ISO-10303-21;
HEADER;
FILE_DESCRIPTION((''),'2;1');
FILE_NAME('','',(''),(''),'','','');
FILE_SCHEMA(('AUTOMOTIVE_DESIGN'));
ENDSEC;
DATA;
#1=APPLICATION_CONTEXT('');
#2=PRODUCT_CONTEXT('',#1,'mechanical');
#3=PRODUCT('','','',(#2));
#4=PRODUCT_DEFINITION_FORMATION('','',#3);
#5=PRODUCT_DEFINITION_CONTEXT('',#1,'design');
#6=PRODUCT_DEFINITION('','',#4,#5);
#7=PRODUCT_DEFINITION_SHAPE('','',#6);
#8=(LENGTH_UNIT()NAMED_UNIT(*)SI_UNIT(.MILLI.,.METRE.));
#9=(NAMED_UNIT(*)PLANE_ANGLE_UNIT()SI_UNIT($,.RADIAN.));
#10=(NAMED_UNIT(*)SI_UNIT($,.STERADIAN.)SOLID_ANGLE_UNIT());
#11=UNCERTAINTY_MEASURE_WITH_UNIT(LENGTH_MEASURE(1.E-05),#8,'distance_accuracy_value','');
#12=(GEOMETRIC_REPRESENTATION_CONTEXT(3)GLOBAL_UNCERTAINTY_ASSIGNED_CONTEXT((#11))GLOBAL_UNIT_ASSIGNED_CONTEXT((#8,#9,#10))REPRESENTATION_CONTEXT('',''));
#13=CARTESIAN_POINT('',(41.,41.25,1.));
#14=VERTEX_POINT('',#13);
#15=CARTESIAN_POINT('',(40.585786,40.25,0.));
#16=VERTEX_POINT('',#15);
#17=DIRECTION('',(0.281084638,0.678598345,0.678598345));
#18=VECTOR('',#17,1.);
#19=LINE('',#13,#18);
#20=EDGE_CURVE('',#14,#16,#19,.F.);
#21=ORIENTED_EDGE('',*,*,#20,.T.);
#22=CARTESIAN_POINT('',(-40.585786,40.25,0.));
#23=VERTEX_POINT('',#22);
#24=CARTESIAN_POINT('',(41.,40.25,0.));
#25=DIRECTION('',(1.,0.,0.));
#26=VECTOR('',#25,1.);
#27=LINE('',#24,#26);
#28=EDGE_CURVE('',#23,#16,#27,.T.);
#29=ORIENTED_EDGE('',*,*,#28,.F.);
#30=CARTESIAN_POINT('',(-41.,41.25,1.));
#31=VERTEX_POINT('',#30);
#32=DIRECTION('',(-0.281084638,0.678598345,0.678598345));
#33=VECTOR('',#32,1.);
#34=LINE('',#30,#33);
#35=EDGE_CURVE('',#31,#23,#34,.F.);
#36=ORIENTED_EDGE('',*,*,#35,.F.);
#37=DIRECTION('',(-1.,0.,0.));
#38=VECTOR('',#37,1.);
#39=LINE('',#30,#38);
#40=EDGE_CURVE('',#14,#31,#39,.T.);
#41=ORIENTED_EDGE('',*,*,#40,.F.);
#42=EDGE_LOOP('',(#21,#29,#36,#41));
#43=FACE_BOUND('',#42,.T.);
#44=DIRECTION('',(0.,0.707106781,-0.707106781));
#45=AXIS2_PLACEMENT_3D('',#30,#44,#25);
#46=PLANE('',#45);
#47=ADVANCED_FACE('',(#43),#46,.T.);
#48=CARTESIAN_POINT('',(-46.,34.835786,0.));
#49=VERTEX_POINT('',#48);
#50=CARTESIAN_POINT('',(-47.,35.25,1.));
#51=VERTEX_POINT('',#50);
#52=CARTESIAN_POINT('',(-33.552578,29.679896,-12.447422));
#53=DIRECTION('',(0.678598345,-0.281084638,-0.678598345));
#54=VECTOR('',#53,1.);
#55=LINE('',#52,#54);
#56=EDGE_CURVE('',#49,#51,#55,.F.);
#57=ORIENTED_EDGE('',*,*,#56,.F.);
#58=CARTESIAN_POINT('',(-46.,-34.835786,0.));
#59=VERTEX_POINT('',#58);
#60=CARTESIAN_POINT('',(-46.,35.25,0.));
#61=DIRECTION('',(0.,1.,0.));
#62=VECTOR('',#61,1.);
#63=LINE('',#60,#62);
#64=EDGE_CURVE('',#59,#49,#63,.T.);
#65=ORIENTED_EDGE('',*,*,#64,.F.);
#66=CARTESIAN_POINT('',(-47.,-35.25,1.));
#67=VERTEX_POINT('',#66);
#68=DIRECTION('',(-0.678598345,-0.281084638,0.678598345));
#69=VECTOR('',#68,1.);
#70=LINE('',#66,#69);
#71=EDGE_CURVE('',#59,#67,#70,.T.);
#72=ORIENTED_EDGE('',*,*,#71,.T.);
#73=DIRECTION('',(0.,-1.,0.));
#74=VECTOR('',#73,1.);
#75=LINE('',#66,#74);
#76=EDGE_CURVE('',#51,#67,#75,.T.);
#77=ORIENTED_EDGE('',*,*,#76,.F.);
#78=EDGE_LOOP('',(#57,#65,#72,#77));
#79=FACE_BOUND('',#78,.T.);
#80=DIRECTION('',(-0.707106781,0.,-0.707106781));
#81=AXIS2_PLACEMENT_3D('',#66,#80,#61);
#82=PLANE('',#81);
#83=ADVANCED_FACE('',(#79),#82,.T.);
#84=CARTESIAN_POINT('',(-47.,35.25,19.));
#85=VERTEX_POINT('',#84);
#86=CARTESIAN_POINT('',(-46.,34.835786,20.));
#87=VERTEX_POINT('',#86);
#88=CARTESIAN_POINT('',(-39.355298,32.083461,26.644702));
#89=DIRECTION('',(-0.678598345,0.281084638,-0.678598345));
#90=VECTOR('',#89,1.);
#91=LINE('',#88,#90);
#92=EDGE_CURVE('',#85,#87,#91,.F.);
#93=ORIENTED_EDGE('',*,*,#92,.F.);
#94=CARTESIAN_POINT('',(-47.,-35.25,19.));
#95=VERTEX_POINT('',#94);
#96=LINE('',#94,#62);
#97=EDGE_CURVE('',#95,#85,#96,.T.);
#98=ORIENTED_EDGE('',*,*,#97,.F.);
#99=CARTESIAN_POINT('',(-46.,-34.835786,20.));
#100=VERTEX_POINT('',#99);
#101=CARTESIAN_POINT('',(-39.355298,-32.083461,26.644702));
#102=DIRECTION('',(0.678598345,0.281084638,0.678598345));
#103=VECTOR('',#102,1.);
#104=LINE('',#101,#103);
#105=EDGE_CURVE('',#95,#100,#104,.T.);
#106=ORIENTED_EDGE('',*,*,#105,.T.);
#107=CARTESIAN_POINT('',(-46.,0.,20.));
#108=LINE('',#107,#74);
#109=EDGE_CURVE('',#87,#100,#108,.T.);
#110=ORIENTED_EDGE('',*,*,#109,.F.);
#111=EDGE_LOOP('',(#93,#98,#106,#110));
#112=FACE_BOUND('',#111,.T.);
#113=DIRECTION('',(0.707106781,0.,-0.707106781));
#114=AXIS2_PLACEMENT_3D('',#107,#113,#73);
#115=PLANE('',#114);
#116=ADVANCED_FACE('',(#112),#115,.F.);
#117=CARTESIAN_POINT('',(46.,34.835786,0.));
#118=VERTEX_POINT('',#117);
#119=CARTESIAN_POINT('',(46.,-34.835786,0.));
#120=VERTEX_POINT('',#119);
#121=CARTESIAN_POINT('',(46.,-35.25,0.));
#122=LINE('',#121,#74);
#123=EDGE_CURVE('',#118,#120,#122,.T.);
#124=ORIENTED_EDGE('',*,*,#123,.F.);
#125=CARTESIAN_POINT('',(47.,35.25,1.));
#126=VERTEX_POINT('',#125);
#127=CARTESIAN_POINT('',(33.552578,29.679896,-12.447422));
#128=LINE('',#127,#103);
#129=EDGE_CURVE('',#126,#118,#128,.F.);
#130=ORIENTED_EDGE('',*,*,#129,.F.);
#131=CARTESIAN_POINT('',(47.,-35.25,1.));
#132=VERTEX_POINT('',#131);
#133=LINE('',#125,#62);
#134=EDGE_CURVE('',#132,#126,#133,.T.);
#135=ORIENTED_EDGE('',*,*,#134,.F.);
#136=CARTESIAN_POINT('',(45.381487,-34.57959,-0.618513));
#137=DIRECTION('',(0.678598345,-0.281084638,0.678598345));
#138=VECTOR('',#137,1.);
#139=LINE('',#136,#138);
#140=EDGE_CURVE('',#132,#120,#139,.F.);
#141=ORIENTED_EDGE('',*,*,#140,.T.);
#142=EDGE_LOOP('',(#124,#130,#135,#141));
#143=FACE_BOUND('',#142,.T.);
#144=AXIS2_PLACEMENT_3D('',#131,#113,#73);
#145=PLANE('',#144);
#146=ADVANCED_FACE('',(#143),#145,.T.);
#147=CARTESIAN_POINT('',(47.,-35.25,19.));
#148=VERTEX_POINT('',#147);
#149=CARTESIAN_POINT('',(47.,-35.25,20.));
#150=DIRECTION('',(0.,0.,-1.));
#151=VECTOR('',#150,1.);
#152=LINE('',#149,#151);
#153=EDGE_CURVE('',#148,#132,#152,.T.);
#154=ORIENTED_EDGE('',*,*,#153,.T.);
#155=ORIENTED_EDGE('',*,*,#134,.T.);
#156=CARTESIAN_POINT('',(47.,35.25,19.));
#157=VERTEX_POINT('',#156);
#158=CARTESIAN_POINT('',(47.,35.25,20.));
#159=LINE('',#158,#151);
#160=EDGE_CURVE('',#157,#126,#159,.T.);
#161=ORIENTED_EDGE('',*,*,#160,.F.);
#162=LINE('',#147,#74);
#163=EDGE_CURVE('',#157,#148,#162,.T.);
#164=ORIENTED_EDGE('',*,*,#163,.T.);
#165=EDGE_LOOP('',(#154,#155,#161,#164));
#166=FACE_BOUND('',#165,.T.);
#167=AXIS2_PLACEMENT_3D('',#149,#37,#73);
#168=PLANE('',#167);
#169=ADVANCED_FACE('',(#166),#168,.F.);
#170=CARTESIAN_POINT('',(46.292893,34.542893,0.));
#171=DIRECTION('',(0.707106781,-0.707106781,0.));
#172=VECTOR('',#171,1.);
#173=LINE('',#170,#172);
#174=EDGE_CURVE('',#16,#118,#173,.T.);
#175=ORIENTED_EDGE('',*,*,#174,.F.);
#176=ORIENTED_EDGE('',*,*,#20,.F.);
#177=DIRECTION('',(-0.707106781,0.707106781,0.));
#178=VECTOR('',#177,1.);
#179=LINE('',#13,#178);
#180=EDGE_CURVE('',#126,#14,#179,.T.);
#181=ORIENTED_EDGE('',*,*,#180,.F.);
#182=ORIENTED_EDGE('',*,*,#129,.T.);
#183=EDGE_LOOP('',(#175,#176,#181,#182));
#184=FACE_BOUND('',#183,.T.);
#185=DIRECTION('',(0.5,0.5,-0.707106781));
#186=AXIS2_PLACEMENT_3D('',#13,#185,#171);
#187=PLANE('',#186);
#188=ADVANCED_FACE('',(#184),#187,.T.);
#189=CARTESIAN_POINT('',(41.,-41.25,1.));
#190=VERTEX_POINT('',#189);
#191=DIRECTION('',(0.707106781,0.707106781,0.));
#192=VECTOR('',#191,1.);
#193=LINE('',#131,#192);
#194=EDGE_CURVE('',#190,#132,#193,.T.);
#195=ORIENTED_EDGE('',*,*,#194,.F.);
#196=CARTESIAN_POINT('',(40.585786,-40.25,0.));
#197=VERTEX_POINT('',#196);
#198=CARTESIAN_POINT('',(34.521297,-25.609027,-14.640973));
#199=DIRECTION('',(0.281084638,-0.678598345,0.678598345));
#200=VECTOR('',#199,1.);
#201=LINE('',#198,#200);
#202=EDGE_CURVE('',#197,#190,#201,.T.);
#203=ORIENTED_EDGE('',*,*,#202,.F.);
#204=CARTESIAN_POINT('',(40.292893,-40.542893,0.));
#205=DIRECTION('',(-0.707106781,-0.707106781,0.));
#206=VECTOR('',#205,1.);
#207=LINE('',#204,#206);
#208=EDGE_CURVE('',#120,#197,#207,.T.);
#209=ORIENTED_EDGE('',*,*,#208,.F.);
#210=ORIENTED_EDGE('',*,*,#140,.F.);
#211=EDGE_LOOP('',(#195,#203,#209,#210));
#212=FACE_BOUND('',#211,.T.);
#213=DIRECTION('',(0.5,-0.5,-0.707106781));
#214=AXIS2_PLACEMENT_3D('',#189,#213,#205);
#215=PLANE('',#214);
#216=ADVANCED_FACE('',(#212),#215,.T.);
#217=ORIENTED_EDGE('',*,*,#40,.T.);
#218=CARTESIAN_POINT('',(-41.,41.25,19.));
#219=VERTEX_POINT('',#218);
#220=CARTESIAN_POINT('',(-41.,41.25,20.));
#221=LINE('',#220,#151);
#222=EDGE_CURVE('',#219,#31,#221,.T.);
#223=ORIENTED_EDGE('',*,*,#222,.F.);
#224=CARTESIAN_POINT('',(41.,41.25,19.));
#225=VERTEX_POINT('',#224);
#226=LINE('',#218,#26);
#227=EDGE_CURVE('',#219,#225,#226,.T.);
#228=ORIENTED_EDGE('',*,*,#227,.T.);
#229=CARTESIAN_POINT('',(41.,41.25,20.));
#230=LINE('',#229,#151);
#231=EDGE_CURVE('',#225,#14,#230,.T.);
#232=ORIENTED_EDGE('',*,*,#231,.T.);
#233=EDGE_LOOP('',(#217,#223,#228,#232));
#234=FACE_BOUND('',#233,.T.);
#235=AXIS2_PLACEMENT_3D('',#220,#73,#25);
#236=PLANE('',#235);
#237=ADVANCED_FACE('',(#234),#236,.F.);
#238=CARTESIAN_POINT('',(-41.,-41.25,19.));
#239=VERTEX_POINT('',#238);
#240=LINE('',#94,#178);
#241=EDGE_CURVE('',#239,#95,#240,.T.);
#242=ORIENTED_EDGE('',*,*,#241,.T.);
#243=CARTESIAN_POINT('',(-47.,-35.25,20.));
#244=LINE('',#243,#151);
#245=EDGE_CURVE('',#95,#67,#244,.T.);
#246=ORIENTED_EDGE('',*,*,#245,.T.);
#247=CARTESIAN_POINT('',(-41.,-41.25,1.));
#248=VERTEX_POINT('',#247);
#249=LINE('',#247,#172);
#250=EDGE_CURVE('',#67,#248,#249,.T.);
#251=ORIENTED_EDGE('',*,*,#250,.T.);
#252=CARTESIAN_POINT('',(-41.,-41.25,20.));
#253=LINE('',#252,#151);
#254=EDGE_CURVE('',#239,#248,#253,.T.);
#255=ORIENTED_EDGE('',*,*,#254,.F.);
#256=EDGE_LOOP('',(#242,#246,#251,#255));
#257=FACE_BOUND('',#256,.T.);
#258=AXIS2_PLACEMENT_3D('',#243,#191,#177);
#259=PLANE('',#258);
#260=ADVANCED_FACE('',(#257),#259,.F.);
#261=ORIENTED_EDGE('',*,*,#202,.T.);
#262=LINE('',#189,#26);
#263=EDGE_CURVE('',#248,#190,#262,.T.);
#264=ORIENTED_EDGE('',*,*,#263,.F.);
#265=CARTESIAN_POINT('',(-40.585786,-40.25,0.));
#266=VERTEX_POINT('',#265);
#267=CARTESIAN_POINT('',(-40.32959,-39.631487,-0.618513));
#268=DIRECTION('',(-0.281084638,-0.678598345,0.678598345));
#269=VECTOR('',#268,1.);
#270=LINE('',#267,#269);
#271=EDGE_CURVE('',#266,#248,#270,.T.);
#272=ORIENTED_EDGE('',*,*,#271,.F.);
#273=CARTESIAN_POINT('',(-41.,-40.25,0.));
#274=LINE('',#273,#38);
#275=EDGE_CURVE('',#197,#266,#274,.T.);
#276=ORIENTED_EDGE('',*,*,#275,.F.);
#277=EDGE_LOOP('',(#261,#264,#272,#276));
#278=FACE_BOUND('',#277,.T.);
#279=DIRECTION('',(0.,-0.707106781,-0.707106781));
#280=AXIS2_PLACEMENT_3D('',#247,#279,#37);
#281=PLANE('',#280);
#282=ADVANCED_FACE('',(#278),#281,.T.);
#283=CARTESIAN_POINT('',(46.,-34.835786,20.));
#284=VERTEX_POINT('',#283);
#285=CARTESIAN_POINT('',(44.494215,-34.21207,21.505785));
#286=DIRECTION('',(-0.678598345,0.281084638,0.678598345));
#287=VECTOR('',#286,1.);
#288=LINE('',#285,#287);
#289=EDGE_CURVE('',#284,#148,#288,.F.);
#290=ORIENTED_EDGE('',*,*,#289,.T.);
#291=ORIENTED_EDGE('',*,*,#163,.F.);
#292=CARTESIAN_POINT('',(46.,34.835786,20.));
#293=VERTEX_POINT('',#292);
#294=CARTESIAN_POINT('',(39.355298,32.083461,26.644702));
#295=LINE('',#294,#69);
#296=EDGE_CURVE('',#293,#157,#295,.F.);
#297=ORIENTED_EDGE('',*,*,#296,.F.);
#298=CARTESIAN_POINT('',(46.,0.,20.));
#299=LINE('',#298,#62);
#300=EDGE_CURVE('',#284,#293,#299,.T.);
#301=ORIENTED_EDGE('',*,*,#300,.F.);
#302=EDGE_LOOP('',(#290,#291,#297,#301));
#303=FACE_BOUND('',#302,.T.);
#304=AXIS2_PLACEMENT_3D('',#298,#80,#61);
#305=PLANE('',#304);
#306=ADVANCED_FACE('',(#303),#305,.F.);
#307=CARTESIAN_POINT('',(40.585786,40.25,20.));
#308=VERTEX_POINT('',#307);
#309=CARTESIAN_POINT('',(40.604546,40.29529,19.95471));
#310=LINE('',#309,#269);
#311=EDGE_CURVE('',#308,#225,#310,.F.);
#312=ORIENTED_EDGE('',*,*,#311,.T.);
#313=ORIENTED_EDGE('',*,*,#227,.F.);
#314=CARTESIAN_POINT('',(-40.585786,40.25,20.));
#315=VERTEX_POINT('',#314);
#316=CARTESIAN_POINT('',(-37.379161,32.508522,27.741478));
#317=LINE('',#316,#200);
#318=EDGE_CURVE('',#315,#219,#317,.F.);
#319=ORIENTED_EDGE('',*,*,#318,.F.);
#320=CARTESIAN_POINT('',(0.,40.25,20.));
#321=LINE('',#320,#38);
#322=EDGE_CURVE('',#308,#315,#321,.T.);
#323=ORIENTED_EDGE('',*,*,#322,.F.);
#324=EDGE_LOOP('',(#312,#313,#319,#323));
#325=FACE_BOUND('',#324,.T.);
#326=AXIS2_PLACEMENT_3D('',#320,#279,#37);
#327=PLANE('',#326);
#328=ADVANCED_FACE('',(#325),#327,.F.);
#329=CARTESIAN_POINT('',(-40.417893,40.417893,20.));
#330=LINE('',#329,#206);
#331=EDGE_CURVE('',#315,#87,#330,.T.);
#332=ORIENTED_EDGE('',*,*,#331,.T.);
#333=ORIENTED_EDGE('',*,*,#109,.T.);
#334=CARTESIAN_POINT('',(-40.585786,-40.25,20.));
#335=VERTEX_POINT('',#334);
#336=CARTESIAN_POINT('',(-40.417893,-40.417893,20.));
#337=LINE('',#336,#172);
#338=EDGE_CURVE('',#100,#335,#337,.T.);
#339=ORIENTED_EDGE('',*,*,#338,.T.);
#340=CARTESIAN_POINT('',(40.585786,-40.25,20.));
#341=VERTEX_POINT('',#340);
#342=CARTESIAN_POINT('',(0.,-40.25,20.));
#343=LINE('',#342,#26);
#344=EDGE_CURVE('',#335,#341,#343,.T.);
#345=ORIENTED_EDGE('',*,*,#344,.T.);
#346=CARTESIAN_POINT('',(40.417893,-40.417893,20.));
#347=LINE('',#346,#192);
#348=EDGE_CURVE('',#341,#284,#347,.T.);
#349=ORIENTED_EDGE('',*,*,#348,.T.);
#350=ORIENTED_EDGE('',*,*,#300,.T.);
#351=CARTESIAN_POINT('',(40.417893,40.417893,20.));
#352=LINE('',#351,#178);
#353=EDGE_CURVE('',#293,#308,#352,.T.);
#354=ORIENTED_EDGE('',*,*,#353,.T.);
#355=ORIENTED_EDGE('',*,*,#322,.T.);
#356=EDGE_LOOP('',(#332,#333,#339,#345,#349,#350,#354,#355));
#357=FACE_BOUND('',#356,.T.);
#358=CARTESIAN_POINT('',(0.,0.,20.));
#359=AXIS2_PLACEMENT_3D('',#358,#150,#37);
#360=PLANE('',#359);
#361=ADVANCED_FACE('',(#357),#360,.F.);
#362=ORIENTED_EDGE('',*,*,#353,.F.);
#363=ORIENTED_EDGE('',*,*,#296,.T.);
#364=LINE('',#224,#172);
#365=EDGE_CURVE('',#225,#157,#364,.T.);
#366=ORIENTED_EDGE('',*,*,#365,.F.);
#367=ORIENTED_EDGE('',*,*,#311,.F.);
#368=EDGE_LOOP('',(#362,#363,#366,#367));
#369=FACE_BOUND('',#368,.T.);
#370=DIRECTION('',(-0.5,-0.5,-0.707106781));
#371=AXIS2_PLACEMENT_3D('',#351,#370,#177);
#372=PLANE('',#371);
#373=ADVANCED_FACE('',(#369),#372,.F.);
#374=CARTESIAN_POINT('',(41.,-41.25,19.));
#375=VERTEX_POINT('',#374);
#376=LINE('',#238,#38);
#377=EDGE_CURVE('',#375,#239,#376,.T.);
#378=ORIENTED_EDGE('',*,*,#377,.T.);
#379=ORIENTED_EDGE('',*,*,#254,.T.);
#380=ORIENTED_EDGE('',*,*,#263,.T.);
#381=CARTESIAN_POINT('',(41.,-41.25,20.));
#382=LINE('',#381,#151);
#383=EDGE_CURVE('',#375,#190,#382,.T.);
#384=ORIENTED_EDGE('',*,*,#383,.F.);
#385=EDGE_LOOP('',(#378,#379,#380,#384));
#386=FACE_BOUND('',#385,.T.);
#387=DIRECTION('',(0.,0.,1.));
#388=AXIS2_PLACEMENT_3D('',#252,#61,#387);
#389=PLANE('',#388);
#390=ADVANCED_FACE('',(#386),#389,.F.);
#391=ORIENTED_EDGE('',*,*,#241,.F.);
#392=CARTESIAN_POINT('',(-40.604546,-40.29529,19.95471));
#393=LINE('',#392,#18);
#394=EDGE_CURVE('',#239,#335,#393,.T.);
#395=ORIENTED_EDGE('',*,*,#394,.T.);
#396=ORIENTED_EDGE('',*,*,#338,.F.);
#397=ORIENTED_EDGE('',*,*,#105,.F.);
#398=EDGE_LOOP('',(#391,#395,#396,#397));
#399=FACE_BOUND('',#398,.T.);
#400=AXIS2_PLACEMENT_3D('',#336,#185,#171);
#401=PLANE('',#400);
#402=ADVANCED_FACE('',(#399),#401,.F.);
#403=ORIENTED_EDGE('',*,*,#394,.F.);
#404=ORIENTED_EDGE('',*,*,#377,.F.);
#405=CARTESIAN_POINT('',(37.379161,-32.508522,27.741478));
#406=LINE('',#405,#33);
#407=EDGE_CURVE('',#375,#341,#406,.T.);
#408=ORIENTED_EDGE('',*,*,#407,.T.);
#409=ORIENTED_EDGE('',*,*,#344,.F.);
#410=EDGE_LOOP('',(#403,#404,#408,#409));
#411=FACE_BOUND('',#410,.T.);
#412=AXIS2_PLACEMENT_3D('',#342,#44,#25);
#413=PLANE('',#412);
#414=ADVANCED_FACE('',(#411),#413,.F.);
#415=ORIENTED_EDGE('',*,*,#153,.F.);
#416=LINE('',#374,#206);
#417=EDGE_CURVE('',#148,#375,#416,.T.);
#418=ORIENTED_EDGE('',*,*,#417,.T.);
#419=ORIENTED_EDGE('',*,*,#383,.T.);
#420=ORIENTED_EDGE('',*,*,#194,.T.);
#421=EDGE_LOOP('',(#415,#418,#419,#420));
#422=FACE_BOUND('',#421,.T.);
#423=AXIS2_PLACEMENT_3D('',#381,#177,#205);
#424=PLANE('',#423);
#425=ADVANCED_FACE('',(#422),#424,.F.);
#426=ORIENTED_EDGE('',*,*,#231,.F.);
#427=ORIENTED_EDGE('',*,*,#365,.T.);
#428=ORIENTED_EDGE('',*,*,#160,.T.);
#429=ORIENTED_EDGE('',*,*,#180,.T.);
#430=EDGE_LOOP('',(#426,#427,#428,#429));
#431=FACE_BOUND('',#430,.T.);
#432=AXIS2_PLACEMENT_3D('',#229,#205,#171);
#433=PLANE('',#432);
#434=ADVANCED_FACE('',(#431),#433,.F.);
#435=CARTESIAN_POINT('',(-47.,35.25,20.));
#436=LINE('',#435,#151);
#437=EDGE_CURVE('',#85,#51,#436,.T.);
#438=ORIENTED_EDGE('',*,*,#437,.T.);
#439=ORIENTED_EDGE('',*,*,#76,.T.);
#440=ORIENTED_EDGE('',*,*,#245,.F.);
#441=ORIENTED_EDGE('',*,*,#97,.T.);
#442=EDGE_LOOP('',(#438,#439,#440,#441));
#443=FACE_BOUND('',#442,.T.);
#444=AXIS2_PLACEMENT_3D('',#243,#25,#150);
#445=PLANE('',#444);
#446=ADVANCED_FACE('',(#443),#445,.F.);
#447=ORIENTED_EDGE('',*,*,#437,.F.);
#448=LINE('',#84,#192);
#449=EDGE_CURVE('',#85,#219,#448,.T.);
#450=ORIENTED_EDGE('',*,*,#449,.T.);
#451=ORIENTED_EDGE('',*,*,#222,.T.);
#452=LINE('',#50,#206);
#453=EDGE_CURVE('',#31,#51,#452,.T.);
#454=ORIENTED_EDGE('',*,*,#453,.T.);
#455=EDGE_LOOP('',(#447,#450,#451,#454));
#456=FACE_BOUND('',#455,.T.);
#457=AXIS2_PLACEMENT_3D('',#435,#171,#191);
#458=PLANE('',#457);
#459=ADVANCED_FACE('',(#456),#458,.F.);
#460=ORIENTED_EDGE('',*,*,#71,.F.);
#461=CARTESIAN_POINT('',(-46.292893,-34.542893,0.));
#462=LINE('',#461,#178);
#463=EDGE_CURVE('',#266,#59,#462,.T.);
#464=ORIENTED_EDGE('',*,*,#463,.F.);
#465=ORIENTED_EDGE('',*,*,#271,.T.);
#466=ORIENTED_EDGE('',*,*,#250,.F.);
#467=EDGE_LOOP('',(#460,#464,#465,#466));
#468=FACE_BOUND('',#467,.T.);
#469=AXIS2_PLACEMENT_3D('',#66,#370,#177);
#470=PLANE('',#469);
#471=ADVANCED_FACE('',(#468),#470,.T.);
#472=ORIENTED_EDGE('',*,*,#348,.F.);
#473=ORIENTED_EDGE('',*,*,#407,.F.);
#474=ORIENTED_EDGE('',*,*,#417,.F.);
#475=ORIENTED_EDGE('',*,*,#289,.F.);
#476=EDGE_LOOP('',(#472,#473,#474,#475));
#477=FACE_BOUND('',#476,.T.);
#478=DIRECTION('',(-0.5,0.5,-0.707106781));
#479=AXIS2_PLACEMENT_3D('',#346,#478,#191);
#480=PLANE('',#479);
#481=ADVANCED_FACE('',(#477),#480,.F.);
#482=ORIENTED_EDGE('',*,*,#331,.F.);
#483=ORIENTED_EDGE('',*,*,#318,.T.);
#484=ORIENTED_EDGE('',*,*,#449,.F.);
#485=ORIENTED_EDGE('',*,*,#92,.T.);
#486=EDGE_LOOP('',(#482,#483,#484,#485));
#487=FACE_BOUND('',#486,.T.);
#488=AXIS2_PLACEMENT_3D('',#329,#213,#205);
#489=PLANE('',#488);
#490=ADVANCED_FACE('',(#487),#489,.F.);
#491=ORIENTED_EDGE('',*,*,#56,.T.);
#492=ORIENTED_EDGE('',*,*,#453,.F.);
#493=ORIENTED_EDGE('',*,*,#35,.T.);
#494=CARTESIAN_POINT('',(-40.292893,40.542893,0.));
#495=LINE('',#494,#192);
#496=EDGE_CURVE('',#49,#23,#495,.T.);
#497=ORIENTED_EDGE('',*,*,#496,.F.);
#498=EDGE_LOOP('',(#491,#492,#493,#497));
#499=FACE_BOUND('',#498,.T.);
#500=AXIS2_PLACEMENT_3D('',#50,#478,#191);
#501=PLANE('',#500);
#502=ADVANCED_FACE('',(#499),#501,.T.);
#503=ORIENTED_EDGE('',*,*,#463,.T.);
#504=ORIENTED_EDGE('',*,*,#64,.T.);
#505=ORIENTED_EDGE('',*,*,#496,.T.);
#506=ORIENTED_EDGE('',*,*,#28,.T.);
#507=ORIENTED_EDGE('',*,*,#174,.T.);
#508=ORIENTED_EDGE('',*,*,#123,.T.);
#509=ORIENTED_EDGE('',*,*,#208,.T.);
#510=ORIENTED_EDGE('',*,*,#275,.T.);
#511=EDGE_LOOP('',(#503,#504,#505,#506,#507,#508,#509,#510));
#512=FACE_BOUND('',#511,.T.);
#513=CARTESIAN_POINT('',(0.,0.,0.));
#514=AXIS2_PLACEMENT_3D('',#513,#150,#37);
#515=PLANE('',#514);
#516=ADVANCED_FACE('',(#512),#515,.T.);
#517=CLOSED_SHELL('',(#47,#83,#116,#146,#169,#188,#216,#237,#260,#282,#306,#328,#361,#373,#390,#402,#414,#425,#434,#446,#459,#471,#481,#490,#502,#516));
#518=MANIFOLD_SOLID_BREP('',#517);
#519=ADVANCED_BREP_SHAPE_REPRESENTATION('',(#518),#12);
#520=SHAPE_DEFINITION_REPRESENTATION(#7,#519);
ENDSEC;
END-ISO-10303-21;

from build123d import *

# Parameters (mm, degrees)
BOSS_EXTRUDE1_DEPTH = 20
CHAMFER1_SIZE       = 1


with BuildPart() as part:
    # Sketch1 → Boss-Extrude1 (new body)
    with BuildSketch(Plane.XY):
        Polygon((-47, 35.25), (-41, 41.25), (41, 41.25), (47, 35.25), (47, -35.25), (41, -41.25), (-41, -41.25), (-47, -35.25), align=None)
    extrude(amount=BOSS_EXTRUDE1_DEPTH)

    # Chamfer1
    chamfer1_edges = [part.edges().sort_by_distance(p)[0] for p in [
        (44, -38.25, 0),
        (0, -41.25, 0),
        (-44, -38.25, 0),
        (-47, 0, 0),
        (0, -41.25, 20),
        (44, -38.25, 20),
        (47, 0, 20),
        (44, 38.25, 20),
        (0, 41.25, 20),
        (-44, 38.25, 20),
        (-47, 0, 20),
        (-44, 38.25, 0),
        (-44, -38.25, 20),
        (0, 41.25, 0),
        (44, 38.25, 0),
        (47, 0, 0),
    ]]
    chamfer(chamfer1_edges, length=CHAMFER1_SIZE)


solid = part.part
